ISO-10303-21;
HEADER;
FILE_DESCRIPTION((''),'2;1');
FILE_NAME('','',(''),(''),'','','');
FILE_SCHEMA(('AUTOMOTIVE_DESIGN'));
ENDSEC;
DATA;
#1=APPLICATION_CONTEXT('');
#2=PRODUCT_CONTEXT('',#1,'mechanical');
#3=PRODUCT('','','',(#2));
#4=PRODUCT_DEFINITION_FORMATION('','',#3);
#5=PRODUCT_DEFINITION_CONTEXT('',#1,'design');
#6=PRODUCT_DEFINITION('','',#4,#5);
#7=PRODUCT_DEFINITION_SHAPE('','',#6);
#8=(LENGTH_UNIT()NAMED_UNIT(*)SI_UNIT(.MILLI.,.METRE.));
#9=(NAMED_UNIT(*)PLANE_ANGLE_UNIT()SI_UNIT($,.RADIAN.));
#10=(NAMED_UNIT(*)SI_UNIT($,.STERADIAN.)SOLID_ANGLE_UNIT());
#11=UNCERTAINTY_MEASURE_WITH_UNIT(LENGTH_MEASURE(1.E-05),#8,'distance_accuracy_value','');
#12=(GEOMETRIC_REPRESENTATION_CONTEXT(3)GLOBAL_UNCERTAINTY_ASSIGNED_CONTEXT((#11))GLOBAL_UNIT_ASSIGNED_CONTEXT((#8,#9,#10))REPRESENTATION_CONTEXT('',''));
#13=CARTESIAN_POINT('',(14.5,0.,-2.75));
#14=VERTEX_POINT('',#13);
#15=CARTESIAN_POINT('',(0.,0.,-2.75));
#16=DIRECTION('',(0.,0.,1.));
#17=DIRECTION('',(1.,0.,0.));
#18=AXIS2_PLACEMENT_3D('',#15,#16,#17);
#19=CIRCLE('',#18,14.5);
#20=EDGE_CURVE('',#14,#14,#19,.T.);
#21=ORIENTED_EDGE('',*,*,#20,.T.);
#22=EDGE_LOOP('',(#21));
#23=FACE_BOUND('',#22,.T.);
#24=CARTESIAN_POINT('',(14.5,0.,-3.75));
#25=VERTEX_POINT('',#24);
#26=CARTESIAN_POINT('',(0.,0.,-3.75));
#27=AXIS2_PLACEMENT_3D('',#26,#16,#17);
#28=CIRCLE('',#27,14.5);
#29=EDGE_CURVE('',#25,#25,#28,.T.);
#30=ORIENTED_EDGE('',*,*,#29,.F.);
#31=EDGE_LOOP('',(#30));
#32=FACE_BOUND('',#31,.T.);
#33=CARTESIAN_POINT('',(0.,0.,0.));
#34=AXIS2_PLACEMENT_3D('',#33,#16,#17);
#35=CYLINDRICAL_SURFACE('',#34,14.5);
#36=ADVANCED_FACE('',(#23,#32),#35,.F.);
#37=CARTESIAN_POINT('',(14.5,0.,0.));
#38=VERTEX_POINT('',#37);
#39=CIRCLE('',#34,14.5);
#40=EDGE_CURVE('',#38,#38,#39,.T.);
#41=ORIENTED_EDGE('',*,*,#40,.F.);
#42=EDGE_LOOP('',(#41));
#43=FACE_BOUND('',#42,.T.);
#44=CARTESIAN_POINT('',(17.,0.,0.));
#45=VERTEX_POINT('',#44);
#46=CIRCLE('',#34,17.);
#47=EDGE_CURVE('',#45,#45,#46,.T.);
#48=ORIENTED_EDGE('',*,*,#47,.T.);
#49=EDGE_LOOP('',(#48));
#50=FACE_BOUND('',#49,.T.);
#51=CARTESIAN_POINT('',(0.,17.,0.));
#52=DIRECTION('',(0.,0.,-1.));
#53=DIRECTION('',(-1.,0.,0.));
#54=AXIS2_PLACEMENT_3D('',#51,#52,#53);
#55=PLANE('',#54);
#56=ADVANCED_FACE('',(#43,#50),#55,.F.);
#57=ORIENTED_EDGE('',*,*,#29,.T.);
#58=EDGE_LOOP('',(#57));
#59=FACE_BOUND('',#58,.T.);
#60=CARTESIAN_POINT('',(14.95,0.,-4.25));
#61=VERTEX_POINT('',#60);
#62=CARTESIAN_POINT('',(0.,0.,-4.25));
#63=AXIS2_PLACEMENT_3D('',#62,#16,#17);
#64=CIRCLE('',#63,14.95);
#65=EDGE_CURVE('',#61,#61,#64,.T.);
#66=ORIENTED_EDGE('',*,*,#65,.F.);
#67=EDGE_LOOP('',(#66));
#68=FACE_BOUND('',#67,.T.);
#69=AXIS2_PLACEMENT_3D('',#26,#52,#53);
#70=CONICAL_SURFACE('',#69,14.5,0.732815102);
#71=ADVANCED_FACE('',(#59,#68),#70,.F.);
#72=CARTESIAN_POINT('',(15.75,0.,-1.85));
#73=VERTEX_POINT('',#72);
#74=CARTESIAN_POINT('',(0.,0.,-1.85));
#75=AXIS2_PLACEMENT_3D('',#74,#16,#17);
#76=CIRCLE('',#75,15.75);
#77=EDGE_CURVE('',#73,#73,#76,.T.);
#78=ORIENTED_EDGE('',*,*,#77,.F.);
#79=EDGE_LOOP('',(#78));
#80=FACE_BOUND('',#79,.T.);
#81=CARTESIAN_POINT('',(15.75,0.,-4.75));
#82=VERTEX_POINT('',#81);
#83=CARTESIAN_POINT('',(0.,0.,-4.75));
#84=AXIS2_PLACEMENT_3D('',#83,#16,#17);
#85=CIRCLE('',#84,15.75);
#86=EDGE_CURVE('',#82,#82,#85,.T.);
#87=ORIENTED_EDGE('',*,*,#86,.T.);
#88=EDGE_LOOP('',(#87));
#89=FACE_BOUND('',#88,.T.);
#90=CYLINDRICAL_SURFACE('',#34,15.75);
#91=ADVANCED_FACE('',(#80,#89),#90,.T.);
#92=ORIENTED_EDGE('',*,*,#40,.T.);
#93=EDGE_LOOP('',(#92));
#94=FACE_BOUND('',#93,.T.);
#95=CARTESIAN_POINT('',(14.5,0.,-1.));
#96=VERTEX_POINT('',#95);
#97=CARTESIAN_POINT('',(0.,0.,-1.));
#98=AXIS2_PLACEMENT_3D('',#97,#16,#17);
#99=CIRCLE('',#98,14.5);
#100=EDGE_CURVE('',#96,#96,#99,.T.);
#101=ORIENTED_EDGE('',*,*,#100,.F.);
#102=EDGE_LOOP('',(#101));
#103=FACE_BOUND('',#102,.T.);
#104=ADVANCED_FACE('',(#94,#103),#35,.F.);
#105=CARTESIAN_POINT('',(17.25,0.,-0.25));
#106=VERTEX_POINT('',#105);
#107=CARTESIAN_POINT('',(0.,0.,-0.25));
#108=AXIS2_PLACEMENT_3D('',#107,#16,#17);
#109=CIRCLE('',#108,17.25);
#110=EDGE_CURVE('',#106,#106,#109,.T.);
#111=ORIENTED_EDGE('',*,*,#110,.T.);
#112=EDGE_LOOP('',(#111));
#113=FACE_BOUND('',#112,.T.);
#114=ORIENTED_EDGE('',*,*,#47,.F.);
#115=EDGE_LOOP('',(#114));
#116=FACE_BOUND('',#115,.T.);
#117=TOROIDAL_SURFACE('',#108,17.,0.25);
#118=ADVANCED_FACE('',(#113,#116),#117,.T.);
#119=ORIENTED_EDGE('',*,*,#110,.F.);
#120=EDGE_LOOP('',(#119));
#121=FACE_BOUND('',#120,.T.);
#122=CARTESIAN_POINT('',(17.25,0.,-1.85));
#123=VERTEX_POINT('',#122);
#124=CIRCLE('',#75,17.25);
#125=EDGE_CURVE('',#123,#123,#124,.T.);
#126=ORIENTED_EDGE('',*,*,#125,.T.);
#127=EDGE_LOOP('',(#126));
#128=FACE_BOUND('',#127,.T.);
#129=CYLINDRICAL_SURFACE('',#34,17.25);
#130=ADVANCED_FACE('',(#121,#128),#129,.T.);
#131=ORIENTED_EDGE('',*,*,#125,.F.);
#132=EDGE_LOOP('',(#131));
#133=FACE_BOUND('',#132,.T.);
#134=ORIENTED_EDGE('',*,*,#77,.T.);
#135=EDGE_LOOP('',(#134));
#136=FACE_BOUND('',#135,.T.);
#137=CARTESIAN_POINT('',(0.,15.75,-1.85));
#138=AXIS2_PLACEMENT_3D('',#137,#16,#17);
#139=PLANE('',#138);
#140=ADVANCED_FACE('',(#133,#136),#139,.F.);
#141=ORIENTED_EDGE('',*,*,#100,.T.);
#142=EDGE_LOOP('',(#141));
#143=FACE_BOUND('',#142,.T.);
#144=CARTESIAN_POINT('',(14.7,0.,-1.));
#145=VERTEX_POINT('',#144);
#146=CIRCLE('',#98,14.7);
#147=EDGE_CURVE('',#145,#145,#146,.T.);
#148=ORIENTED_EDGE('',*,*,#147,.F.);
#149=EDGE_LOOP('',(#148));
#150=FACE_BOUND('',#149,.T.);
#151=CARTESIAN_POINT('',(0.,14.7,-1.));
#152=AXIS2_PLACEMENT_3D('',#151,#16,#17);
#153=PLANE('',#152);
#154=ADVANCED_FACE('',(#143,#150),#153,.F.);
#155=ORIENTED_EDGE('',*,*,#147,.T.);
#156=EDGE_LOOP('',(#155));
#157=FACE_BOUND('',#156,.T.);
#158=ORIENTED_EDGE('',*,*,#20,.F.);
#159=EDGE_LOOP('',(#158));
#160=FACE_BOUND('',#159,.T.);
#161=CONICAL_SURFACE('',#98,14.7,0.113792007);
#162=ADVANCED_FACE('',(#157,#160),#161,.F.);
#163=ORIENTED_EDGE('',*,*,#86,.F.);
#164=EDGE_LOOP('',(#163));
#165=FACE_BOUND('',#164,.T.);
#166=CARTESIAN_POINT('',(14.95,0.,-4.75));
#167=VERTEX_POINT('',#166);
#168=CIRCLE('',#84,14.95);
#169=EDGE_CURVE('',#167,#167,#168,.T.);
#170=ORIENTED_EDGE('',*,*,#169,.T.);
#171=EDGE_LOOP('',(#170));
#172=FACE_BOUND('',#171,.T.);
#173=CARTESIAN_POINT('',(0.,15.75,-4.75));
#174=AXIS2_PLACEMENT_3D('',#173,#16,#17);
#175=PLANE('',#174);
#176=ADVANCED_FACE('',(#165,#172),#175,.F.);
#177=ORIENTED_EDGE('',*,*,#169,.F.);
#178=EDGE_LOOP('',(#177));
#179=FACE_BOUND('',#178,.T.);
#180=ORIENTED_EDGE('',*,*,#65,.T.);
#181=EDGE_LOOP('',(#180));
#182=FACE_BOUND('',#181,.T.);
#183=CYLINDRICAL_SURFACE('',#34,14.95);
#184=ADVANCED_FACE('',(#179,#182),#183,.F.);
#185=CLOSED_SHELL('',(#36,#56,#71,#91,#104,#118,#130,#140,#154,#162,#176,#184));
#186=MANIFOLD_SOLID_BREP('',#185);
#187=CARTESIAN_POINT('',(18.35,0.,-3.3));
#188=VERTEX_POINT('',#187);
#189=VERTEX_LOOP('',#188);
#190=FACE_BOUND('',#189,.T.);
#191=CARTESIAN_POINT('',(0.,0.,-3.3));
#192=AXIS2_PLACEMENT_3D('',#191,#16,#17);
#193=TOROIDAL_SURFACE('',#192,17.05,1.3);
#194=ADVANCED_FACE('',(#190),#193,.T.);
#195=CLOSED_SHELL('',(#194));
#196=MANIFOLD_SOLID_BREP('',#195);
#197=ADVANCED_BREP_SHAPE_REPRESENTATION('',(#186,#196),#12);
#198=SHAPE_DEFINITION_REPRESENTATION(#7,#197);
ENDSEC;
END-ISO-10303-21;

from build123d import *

# Parameters (mm, degrees)
SKETCH2_R = 1.3


with BuildPart() as part:
    # Sketch1 → Revolve1 (revolve)
    with BuildSketch(Plane(origin=(0, 0, 0), x_dir=(0, 0, -1), z_dir=(1, 0, 0)), mode=Mode.PRIVATE) as revolve1_sk:
        with BuildLine():
            Line((0.25, 17.25), (1.85, 17.25))
            Line((1.85, 17.25), (1.85, 15.75))
            Line((1.85, 15.75), (4.75, 15.75))
            Line((4.75, 15.75), (4.75, 14.95))
            Line((4.75, 14.95), (4.25, 14.95))
            Line((4.25, 14.95), (3.75, 14.5))
            Line((3.75, 14.5), (2.75, 14.5))
            Line((2.75, 14.5), (1, 14.7))
            Line((1, 14.7), (1, 14.5))
            Line((1, 14.5), (0, 14.5))
            Line((0, 14.5), (0, 17))
            ThreePointArc((0, 17), (0.073223305, 17.176776695), (0.25, 17.25))
        make_face()
    revolve(revolve1_sk.sketch.rotate(Axis((0, 0, 0), (0, 0, -1)), 90), axis=Axis((0, 0, 0), (0, 0, -1)))


with BuildPart() as body_2:
    # Sketch2 → Revolve2 (revolve)
    with BuildSketch(Plane(origin=(0, 0, 0), x_dir=(0, 0, -1), z_dir=(1, 0, 0)), mode=Mode.PRIVATE) as revolve2_sk:
        with Locations((3.3, 17.05)):
            Circle(SKETCH2_R)
    revolve(revolve2_sk.sketch.rotate(Axis((0, 0, 0), (0, 0, -1)), 270), axis=Axis((0, 0, 0), (0, 0, -1)))


solid = Compound([part.part, body_2.part])
